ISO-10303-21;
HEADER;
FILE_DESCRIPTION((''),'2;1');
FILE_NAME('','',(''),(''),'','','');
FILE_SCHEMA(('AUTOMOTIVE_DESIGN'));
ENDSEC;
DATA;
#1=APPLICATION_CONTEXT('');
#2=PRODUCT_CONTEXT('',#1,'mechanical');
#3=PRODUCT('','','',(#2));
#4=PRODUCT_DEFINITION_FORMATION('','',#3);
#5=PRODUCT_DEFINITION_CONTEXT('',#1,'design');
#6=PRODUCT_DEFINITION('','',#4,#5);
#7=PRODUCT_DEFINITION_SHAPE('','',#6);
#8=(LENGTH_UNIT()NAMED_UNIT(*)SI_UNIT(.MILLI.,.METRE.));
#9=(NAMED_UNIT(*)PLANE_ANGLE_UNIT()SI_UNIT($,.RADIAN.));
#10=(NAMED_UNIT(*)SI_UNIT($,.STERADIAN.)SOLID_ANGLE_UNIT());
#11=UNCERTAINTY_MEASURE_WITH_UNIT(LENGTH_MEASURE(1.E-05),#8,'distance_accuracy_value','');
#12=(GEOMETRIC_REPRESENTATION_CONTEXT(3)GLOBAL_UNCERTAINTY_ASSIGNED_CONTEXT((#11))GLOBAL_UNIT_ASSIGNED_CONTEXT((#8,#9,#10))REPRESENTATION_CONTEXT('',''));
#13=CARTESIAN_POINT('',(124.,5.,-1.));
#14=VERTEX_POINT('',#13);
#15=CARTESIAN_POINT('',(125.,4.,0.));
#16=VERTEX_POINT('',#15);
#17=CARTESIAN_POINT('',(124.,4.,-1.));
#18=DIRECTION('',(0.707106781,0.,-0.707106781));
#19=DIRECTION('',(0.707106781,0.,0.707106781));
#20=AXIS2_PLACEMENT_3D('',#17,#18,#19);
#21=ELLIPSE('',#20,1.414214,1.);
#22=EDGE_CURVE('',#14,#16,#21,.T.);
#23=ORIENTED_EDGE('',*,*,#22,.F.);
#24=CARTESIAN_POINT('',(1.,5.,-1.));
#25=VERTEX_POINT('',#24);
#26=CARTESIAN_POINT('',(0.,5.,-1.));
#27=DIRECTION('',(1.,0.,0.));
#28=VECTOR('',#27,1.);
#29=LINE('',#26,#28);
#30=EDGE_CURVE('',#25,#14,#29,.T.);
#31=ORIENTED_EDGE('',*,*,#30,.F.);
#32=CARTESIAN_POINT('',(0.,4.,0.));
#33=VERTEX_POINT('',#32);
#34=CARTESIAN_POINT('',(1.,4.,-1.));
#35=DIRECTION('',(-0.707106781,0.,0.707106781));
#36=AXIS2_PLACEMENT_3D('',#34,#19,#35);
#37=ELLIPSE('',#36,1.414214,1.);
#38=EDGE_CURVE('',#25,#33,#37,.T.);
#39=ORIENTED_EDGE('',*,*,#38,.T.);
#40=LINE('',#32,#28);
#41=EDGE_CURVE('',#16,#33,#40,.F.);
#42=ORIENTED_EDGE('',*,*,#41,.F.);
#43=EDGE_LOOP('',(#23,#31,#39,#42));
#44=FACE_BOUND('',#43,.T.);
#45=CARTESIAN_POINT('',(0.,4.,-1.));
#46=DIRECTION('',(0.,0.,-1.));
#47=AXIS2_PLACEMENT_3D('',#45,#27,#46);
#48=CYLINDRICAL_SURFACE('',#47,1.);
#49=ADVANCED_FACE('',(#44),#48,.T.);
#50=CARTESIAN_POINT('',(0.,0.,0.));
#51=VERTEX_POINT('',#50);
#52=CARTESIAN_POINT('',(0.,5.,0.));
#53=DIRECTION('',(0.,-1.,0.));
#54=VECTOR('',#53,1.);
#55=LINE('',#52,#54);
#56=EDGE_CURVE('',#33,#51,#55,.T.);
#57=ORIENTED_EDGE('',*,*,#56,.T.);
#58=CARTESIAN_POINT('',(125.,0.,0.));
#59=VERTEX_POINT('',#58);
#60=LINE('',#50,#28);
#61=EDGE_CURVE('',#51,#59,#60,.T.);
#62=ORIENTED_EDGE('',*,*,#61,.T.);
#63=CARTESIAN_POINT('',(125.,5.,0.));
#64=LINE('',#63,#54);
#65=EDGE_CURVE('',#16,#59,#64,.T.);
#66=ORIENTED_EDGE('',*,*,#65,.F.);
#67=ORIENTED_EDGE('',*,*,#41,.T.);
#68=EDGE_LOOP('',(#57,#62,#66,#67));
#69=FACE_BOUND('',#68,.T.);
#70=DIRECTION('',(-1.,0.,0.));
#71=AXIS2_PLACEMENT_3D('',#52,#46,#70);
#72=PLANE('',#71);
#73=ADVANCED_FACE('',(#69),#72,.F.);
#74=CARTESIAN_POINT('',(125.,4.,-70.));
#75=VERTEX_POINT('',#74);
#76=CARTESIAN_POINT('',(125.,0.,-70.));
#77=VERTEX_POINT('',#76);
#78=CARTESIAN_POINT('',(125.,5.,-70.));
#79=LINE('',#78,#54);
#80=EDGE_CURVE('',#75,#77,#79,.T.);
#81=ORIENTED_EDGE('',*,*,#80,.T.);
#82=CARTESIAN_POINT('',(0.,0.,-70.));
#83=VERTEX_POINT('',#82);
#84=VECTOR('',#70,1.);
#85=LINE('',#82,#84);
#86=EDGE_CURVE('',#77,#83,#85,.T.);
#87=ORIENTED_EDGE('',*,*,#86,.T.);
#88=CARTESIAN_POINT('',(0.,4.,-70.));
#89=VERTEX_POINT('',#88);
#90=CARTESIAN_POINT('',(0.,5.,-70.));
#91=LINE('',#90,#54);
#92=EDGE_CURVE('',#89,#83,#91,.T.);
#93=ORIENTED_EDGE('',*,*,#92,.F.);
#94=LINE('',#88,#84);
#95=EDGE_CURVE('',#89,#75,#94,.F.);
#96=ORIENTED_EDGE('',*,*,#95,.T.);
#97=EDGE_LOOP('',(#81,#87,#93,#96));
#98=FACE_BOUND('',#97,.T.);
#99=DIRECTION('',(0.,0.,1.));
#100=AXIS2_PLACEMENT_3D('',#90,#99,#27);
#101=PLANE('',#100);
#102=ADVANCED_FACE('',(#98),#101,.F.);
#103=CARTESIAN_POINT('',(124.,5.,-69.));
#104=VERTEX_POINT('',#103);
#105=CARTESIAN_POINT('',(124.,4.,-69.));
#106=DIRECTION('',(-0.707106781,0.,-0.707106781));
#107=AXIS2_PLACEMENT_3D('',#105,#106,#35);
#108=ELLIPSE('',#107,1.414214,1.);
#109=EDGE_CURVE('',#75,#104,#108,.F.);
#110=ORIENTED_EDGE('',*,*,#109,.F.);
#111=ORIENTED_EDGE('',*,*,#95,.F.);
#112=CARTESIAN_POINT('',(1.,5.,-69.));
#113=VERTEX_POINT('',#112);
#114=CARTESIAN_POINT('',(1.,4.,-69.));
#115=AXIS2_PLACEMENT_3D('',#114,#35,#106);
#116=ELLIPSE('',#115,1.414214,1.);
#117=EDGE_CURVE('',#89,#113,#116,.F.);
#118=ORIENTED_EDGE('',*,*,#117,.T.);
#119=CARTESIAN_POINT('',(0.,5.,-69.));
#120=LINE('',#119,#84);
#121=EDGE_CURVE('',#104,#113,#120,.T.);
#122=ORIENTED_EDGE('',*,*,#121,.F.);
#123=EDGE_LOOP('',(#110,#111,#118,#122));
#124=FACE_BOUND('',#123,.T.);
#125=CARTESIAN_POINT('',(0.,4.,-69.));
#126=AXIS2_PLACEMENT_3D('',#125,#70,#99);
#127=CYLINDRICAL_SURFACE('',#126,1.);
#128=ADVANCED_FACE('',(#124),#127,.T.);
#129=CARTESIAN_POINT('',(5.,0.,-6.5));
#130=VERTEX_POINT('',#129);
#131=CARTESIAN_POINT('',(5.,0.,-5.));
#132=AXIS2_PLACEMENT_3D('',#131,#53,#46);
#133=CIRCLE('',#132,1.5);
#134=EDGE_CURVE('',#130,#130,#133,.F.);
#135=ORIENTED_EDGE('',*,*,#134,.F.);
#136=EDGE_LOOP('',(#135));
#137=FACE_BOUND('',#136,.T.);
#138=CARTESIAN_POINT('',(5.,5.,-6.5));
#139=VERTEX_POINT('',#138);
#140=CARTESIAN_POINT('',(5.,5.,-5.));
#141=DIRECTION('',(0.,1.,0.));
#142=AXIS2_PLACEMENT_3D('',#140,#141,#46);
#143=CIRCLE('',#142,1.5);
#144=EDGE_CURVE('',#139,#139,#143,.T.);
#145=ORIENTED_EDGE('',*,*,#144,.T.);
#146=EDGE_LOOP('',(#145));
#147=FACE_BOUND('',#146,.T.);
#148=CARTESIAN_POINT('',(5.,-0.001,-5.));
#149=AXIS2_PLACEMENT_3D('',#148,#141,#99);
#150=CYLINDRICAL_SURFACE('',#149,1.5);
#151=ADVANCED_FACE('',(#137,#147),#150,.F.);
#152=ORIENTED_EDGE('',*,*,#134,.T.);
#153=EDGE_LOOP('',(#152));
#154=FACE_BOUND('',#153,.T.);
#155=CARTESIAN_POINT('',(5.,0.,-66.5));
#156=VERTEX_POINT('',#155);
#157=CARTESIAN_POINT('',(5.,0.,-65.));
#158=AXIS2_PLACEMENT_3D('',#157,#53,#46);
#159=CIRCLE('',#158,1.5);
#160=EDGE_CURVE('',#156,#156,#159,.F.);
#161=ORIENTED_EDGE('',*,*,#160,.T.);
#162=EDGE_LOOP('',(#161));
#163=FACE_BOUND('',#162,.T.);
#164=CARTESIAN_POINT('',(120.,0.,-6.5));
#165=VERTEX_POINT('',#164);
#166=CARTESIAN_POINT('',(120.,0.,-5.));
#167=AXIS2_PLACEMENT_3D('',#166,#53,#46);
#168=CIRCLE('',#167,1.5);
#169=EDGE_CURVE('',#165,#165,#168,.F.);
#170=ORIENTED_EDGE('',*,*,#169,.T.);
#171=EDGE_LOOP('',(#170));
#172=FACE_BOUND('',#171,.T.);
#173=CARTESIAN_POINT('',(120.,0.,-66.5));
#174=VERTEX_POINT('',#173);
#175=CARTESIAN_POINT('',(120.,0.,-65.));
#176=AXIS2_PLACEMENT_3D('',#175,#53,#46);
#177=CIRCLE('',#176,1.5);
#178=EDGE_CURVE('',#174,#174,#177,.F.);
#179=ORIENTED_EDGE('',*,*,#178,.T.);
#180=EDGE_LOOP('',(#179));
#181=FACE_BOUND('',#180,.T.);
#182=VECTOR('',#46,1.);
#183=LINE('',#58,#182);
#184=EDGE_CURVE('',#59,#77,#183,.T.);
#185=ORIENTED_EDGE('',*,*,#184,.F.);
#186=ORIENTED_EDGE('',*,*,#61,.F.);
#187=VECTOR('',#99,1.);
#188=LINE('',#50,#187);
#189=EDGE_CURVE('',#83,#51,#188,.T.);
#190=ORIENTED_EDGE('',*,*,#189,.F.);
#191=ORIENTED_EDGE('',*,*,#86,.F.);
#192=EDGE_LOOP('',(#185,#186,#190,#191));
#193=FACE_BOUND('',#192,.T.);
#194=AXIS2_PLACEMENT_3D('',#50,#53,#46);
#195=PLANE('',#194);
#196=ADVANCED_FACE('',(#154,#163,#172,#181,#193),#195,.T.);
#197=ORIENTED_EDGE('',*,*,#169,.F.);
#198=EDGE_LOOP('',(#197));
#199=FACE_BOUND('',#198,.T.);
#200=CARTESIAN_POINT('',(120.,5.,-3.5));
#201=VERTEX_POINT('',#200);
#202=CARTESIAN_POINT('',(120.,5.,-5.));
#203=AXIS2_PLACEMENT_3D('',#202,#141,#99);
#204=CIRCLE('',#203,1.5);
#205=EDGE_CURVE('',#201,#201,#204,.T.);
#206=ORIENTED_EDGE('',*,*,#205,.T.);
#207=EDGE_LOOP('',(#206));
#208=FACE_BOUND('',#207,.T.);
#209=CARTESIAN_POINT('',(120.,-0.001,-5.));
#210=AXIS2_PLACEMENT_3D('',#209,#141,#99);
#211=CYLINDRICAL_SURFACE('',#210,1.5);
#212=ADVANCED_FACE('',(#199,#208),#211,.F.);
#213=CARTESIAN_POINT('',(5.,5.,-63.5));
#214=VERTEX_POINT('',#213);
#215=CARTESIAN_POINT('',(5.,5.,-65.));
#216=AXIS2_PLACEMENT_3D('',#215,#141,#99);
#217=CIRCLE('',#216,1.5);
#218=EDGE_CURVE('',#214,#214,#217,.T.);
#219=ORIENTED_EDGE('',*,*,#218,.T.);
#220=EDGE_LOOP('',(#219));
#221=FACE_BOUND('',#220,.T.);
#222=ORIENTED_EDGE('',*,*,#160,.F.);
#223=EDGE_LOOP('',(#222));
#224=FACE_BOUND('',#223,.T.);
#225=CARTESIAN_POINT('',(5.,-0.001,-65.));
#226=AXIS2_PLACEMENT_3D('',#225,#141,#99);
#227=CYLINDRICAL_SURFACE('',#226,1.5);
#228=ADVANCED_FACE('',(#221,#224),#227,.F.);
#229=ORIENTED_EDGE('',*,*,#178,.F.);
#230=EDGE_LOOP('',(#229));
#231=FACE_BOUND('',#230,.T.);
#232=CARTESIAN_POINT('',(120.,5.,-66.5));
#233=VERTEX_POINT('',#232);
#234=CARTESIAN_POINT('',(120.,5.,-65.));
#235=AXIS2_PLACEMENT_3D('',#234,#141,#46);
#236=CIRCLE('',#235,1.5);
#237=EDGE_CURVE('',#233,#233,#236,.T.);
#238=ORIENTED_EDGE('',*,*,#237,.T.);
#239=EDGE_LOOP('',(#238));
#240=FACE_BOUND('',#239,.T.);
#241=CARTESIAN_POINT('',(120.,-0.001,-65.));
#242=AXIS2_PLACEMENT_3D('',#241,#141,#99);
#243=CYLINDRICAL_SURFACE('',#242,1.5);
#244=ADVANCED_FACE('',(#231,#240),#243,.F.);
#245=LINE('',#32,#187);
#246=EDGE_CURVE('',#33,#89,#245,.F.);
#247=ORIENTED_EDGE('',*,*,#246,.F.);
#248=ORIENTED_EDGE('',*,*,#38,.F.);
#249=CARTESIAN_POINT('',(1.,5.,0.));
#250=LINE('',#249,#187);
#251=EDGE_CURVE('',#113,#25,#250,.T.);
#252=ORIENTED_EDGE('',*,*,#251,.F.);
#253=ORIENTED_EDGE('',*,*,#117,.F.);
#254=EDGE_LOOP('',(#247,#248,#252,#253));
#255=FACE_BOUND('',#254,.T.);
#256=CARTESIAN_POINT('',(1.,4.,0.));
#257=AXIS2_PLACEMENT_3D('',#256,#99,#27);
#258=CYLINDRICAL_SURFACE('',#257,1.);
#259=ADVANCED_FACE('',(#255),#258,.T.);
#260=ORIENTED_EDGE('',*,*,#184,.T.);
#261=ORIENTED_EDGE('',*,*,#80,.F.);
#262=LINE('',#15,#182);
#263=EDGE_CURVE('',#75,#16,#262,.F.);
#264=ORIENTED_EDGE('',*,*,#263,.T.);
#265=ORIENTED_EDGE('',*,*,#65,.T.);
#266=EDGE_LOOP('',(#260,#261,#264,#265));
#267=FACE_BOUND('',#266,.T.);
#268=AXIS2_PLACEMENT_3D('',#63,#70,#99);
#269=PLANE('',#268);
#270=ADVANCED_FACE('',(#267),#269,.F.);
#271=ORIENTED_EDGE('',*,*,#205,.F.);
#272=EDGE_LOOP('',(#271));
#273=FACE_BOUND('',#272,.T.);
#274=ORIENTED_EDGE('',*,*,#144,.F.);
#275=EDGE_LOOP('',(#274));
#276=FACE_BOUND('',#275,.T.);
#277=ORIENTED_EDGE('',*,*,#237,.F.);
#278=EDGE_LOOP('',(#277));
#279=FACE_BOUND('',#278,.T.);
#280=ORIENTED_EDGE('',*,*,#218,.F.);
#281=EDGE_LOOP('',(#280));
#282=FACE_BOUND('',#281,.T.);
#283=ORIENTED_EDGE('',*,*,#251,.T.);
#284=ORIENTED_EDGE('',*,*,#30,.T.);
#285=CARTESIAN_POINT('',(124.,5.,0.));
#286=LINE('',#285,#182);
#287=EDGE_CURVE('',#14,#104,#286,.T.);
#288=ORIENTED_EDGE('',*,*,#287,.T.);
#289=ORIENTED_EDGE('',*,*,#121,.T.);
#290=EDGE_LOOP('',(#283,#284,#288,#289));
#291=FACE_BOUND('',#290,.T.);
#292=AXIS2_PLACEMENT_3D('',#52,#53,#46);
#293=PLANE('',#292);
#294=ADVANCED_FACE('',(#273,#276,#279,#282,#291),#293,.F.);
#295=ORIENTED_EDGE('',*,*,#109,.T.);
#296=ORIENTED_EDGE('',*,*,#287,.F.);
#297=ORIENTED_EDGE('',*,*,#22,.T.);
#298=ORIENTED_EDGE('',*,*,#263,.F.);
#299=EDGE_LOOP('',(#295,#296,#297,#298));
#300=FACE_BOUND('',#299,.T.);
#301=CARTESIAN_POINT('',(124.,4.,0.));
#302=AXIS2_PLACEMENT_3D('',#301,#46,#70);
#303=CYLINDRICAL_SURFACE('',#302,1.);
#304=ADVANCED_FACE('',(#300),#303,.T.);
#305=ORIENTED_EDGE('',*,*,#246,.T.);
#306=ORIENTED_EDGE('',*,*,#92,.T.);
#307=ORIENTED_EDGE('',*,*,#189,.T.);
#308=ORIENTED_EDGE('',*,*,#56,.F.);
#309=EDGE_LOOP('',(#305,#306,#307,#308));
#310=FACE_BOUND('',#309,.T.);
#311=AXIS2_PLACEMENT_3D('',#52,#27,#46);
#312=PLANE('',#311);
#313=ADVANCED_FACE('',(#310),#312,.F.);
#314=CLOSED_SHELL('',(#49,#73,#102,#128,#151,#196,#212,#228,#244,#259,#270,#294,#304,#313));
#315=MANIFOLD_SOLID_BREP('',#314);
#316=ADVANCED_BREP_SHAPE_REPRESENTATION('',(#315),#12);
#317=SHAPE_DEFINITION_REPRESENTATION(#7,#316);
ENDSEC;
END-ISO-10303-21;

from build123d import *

# Parameters (mm, degrees)
SKETCH1_W           = 125
SKETCH1_H           = 70
BOSS_EXTRUDE1_DEPTH = 5
FILLET1_R           = 1
CUT_EXTRUDE1_REACH  = 145.353
SKETCH2_R           = 1.5


with BuildPart() as part:
    # Sketch1 → Boss-Extrude1 (new body)
    with BuildSketch(Plane(origin=(0, 0, 0), x_dir=(1, 0, 0), z_dir=(0, 1, 0))):
        with Locations((62.5, 35)):
            Rectangle(SKETCH1_W, SKETCH1_H)
    extrude(amount=BOSS_EXTRUDE1_DEPTH)

    # Fillet1
    fillet1_edges = [part.edges().sort_by_distance(p)[0] for p in [
        (125, 5, -35),
        (62.5, 5, -70),
        (0, 5, -35),
        (62.5, 5, 0),
    ]]
    fillet(fillet1_edges, radius=FILLET1_R)

    # Sketch2 → Cut-Extrude1 (cut, up to next)
    with BuildSketch(Plane(origin=(0, 5, 0), x_dir=(1, 0, 0), z_dir=(0, 1, 0)), mode=Mode.PRIVATE) as cut_extrude1_sk1:
        with Locations(Location((120, 5, 0), (0, 0, 270))):
            Circle(SKETCH2_R)
    cut_extrude1_tool1 = extrude(cut_extrude1_sk1.sketch, amount=-CUT_EXTRUDE1_REACH, mode=Mode.PRIVATE) & part.part
    # Sketch2 → Cut-Extrude1 (cut, up to next)
    with BuildSketch(Plane(origin=(0, 5, 0), x_dir=(1, 0, 0), z_dir=(0, 1, 0)), mode=Mode.PRIVATE) as cut_extrude1_sk2:
        with Locations(Location((120, 65, 0), (0, 0, 90))):
            Circle(SKETCH2_R)
    cut_extrude1_tool2 = extrude(cut_extrude1_sk2.sketch, amount=-CUT_EXTRUDE1_REACH, mode=Mode.PRIVATE) & part.part
    # Sketch2 → Cut-Extrude1 (cut, up to next)
    with BuildSketch(Plane(origin=(0, 5, 0), x_dir=(1, 0, 0), z_dir=(0, 1, 0)), mode=Mode.PRIVATE) as cut_extrude1_sk3:
        with Locations(Location((5, 65, 0), (0, 0, 270))):
            Circle(SKETCH2_R)
    cut_extrude1_tool3 = extrude(cut_extrude1_sk3.sketch, amount=-CUT_EXTRUDE1_REACH, mode=Mode.PRIVATE) & part.part
    # Sketch2 → Cut-Extrude1 (cut, up to next)
    with BuildSketch(Plane(origin=(0, 5, 0), x_dir=(1, 0, 0), z_dir=(0, 1, 0)), mode=Mode.PRIVATE) as cut_extrude1_sk4:
        with Locations(Location((5, 5, 0), (0, 0, 90))):
            Circle(SKETCH2_R)
    cut_extrude1_tool4 = extrude(cut_extrude1_sk4.sketch, amount=-CUT_EXTRUDE1_REACH, mode=Mode.PRIVATE) & part.part
    add(cut_extrude1_tool1.solids().sort_by_distance((120, 5, -5))[0], mode=Mode.SUBTRACT)
    add(cut_extrude1_tool2.solids().sort_by_distance((120, 5, -65))[0], mode=Mode.SUBTRACT)
    add(cut_extrude1_tool3.solids().sort_by_distance((5, 5, -65))[0], mode=Mode.SUBTRACT)
    add(cut_extrude1_tool4.solids().sort_by_distance((5, 5, -5))[0], mode=Mode.SUBTRACT)


solid = part.part
